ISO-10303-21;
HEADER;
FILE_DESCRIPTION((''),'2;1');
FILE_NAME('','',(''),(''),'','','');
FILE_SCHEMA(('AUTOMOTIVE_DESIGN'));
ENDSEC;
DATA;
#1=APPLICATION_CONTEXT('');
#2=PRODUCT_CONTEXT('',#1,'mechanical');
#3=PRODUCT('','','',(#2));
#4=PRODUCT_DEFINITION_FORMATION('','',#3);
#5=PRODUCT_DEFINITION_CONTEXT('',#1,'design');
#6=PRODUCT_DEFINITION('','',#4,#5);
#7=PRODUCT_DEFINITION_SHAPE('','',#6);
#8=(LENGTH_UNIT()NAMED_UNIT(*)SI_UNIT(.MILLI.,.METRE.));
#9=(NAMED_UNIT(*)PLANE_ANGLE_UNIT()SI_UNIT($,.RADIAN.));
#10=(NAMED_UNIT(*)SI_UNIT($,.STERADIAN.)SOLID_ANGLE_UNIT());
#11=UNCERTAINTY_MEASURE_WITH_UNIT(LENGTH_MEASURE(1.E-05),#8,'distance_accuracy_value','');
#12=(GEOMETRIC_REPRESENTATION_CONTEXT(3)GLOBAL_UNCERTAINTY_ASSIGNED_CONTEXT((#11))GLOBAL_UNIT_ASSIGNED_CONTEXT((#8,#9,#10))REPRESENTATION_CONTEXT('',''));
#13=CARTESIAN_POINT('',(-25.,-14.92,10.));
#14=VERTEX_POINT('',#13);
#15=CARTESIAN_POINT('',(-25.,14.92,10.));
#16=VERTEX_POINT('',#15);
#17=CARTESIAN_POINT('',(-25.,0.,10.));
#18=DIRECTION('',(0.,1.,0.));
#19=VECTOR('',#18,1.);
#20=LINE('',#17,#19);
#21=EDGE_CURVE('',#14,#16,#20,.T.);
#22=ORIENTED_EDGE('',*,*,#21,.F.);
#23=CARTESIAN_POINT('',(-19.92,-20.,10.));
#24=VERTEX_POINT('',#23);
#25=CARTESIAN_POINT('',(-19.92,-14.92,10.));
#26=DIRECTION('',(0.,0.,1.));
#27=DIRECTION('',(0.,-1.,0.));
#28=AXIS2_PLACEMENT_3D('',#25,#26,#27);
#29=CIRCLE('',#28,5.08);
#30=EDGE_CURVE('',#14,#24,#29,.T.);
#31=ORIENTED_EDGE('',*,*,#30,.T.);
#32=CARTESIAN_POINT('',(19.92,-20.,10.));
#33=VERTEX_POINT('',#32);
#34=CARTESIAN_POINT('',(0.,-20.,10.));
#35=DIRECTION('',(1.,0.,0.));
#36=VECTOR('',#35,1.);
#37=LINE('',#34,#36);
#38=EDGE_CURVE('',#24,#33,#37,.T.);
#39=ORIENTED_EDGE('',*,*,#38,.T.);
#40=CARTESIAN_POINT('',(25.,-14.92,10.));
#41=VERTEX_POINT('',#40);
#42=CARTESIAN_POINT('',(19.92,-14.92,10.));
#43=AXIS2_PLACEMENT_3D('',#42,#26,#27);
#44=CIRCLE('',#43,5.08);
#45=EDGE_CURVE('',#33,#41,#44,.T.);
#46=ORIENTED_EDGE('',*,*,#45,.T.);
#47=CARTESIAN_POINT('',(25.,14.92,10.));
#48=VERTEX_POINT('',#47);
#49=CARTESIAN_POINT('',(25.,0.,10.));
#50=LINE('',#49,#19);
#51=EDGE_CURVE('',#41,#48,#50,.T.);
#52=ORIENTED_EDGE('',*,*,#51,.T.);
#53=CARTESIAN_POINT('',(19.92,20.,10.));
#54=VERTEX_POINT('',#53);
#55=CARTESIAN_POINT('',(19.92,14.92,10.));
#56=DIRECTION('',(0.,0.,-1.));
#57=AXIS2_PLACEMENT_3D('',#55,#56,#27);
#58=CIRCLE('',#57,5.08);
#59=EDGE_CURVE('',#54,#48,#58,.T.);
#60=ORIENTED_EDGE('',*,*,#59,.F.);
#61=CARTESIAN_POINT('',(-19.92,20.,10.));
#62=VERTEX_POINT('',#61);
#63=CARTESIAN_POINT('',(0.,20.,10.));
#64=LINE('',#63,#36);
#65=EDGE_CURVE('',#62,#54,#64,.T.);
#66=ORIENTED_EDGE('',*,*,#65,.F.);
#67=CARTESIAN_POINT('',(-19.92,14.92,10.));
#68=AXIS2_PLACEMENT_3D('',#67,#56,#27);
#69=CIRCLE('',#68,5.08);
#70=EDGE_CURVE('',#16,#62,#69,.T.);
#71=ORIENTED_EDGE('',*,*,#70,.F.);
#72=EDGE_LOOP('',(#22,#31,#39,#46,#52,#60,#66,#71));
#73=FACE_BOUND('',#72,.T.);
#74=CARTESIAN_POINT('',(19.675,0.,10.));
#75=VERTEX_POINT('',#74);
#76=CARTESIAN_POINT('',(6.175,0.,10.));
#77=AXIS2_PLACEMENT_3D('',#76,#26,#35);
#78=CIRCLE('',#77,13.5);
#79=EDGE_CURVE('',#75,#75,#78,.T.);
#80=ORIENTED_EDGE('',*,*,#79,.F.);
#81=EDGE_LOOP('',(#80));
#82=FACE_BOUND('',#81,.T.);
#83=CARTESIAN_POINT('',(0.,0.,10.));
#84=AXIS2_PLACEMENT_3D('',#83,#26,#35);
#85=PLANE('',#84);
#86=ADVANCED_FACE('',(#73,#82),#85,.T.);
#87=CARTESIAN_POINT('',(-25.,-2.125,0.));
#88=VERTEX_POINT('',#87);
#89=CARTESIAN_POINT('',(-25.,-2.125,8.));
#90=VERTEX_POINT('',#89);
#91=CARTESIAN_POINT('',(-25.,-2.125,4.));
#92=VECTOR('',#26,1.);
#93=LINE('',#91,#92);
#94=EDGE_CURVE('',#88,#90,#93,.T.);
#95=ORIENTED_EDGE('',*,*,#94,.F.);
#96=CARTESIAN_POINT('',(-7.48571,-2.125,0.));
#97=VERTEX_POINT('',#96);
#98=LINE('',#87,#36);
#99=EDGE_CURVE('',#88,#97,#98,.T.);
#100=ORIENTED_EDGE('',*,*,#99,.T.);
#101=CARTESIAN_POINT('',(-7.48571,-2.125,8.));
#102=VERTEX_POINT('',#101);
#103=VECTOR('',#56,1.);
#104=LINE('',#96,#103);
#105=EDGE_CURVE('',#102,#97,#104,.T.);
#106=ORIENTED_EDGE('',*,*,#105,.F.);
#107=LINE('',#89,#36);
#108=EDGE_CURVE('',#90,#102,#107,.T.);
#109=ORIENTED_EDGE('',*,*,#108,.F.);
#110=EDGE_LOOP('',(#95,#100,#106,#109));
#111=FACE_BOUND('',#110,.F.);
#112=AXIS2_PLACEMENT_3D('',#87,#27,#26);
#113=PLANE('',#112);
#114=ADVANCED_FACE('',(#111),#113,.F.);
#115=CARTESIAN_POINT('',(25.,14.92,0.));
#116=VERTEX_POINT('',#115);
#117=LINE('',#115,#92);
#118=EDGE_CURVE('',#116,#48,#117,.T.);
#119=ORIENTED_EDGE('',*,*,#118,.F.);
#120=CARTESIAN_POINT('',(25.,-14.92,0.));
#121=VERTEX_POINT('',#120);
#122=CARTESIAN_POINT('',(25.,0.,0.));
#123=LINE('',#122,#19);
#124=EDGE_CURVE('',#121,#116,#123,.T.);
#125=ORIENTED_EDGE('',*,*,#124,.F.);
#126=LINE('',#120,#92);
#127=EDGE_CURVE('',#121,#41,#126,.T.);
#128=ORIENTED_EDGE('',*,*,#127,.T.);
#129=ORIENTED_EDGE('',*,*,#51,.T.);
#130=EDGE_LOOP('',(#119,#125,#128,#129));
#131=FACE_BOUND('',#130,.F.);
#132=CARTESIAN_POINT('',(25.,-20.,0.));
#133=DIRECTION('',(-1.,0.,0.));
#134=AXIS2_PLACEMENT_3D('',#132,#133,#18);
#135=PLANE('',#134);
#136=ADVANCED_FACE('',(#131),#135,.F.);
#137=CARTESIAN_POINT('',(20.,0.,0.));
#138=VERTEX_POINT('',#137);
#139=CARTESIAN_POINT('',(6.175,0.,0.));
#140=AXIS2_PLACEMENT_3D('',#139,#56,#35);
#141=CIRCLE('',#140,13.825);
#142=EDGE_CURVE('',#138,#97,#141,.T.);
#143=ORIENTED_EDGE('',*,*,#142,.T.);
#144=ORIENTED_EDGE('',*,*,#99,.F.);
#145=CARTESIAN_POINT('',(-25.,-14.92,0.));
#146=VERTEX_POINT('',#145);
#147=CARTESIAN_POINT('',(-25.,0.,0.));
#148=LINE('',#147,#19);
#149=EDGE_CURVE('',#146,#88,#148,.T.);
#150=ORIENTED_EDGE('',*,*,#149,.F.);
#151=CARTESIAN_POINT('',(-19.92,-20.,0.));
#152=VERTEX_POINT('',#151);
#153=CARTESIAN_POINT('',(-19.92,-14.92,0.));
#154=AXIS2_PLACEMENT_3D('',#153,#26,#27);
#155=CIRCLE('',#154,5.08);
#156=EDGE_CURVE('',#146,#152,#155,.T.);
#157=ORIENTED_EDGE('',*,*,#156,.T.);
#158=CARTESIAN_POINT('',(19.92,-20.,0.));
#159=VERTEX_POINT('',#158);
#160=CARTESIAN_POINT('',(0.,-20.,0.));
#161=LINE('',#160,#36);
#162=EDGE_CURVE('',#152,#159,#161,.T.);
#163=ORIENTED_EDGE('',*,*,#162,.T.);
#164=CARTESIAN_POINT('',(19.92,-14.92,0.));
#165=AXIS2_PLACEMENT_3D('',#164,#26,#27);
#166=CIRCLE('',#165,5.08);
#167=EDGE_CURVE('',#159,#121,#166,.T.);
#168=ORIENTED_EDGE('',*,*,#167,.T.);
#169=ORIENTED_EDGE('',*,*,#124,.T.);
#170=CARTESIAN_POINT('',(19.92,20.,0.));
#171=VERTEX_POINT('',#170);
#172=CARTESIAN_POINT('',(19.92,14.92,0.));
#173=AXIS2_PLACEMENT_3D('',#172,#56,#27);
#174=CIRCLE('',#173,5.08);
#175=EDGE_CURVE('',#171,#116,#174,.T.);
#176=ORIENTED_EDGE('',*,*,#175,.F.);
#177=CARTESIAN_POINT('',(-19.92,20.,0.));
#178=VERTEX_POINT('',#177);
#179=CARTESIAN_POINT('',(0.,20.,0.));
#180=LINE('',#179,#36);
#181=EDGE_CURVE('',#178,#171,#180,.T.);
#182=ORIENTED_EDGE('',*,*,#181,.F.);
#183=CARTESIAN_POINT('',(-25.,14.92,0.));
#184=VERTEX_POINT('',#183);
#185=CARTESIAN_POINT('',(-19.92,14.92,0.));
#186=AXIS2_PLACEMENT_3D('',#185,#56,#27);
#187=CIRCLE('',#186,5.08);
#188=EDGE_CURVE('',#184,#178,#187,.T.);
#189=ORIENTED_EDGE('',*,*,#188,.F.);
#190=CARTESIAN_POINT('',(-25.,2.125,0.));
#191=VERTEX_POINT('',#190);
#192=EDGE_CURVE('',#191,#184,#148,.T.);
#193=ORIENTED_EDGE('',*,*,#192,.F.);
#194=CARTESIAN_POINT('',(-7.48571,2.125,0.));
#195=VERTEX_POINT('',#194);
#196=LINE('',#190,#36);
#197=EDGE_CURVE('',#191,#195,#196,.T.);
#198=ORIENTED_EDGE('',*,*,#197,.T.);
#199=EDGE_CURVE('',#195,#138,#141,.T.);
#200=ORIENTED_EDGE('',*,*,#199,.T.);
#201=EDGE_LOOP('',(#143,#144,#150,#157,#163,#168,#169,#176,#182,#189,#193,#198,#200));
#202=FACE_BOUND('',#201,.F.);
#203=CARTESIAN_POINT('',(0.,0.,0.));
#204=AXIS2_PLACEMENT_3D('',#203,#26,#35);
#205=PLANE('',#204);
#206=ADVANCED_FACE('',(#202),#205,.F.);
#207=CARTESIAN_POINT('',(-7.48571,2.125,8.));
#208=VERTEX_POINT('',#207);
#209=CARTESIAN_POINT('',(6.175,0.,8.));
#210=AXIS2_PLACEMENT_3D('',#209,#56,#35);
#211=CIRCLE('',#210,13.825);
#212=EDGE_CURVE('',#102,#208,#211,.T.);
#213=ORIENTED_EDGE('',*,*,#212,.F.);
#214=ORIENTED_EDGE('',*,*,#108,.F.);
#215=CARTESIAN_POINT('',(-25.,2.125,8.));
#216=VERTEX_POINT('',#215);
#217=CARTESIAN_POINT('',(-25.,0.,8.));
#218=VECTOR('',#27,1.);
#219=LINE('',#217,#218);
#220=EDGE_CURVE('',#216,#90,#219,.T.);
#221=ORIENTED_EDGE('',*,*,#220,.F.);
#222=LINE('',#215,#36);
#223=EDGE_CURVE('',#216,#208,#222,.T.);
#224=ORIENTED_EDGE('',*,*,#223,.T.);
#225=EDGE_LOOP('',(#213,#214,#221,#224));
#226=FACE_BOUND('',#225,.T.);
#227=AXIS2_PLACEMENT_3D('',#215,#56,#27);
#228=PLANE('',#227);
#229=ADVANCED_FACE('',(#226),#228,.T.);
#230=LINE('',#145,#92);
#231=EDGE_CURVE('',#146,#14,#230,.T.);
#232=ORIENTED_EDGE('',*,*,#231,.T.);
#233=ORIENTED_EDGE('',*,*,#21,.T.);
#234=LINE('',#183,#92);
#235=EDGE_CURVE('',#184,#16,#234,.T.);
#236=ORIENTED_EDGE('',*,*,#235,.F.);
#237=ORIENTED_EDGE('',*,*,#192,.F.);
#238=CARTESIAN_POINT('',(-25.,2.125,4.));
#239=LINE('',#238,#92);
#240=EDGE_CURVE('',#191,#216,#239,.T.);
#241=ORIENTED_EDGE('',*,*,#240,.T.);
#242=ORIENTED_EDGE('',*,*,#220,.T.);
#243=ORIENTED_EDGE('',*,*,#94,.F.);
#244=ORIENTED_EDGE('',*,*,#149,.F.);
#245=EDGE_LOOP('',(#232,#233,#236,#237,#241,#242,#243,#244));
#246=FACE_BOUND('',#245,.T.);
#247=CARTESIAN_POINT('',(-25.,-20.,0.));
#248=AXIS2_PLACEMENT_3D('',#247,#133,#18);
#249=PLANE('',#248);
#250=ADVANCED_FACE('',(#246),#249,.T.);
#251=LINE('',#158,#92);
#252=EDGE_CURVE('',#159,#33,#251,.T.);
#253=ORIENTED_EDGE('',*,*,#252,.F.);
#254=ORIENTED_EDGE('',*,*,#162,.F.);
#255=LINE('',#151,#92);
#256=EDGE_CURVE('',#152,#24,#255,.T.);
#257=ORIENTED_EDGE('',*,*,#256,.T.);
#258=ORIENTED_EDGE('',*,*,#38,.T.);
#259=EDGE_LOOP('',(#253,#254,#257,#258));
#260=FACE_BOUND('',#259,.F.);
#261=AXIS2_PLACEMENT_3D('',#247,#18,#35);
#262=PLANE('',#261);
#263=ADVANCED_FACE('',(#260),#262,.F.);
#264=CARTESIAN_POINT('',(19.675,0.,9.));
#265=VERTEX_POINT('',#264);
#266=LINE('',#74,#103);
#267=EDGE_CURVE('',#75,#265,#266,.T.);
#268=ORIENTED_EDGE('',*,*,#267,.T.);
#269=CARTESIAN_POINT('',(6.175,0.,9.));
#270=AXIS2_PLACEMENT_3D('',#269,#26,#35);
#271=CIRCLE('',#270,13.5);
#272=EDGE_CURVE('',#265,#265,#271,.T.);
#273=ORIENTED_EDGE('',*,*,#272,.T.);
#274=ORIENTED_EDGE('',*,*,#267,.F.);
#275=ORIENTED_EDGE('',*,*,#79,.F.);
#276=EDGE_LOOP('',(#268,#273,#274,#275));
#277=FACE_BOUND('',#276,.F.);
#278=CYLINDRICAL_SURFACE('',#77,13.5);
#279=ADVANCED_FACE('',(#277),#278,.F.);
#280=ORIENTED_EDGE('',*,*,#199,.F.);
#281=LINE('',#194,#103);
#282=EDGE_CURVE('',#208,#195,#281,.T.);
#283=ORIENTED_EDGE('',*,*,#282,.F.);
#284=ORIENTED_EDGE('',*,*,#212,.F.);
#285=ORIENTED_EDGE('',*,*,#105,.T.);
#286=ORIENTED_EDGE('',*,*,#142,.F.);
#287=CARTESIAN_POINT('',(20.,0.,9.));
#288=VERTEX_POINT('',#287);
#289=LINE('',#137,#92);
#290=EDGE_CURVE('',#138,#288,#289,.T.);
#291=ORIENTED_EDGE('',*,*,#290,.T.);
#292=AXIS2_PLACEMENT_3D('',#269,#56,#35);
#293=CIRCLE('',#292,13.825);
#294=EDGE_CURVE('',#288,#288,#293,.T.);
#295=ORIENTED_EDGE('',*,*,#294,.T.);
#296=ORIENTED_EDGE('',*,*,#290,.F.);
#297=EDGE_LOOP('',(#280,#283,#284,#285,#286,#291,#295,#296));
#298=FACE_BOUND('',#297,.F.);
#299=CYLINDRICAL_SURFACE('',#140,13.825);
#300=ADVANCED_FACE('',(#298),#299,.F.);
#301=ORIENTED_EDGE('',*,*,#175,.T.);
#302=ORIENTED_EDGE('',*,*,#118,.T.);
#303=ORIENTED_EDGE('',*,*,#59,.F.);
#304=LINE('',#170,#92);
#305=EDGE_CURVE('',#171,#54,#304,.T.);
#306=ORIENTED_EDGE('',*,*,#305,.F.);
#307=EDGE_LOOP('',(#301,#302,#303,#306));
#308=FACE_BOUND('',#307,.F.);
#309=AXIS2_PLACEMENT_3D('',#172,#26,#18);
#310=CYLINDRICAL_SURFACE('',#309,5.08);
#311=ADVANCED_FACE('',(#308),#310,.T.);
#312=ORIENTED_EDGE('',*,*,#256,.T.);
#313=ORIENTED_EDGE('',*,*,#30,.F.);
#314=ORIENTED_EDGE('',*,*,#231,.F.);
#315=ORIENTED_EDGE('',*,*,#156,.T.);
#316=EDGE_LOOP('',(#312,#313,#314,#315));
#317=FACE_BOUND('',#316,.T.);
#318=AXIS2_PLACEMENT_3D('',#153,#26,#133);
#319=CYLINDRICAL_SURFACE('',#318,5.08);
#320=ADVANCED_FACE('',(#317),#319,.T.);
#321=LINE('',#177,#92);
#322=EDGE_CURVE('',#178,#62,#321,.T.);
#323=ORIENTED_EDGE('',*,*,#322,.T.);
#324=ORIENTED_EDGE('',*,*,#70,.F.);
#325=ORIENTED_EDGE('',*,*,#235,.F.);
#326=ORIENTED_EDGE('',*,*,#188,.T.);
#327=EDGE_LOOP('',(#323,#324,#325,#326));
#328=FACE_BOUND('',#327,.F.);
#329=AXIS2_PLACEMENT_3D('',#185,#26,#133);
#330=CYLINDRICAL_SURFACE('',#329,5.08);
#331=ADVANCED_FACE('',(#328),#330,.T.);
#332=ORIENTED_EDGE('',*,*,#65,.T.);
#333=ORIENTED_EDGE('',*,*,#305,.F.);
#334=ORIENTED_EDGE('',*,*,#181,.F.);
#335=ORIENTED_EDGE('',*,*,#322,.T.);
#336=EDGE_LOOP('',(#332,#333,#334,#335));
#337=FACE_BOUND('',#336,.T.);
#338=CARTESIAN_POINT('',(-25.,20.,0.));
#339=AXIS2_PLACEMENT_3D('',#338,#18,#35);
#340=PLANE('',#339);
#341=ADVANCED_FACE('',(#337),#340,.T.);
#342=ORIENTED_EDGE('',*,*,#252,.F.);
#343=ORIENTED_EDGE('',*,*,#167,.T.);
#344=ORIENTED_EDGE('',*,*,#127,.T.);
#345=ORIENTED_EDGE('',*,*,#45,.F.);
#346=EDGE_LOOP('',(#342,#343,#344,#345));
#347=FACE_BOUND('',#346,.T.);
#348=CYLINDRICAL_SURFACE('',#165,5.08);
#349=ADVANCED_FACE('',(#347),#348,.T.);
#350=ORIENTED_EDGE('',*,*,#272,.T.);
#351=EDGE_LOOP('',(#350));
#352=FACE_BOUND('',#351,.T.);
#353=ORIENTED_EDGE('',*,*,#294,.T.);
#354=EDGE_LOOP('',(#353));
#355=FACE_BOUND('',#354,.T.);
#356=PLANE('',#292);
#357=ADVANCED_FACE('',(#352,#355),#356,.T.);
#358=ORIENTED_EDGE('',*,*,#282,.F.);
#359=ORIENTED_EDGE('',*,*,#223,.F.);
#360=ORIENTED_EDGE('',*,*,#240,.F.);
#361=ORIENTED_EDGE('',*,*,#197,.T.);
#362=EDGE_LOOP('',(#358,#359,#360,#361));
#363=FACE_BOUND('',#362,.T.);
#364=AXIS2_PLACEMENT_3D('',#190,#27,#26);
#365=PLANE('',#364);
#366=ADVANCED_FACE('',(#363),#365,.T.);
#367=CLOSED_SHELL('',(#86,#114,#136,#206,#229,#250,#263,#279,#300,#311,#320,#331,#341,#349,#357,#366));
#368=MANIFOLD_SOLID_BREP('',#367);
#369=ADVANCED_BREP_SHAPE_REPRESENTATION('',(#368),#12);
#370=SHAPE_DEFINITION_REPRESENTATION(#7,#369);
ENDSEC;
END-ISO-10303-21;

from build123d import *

# Parameters (mm, degrees)
F0_W     = 50
F0_H     = 40
F1_DEPTH = 10
F2_R     = 13.825
F3_DEPTH = 9
F4_R     = 13.5
F5_DEPTH = 1
F6_W     = 4.25
F6_H     = 8
F7_DEPTH = 17.515289916
F8_R     = 5.08


with BuildPart() as f1:
    # F0 (on Top) → F1 (new body)
    with BuildSketch(Plane.XY):
        Rectangle(F0_W, F0_H)
    extrude(amount=F1_DEPTH)

    # F2 (on face) → F3 (cut)
    with BuildSketch(Plane(origin=(0, 0, 0), x_dir=(1, 0, 0), z_dir=(0, 0, -1))):
        with Locations((6.175, 0)):
            Circle(F2_R)
    extrude(amount=-F3_DEPTH, mode=Mode.SUBTRACT)

    # F4 (on face) → F5 (cut, through all)
    with BuildSketch(Plane.XY.offset(10)):
        with Locations((6.175, 0)):
            Circle(F4_R)
    extrude(amount=-F5_DEPTH, mode=Mode.SUBTRACT)

    # F6 (on face) → F7 (cut, through all)
    with BuildSketch(Plane(origin=(-25, 0, 0), x_dir=(0, -1, 0), z_dir=(-1, 0, 0))):
        with Locations((0, 4)):
            Rectangle(F6_W, F6_H)
    extrude(amount=-F7_DEPTH, mode=Mode.SUBTRACT)

    # F8
    f8_edges = [f1.edges().sort_by_distance(p)[0] for p in [
        (25, -20, 5),
        (-25, -20, 5),
        (-25, 20, 5),
        (25, 20, 5),
    ]]
    fillet(f8_edges, radius=F8_R)


solid = f1.part
